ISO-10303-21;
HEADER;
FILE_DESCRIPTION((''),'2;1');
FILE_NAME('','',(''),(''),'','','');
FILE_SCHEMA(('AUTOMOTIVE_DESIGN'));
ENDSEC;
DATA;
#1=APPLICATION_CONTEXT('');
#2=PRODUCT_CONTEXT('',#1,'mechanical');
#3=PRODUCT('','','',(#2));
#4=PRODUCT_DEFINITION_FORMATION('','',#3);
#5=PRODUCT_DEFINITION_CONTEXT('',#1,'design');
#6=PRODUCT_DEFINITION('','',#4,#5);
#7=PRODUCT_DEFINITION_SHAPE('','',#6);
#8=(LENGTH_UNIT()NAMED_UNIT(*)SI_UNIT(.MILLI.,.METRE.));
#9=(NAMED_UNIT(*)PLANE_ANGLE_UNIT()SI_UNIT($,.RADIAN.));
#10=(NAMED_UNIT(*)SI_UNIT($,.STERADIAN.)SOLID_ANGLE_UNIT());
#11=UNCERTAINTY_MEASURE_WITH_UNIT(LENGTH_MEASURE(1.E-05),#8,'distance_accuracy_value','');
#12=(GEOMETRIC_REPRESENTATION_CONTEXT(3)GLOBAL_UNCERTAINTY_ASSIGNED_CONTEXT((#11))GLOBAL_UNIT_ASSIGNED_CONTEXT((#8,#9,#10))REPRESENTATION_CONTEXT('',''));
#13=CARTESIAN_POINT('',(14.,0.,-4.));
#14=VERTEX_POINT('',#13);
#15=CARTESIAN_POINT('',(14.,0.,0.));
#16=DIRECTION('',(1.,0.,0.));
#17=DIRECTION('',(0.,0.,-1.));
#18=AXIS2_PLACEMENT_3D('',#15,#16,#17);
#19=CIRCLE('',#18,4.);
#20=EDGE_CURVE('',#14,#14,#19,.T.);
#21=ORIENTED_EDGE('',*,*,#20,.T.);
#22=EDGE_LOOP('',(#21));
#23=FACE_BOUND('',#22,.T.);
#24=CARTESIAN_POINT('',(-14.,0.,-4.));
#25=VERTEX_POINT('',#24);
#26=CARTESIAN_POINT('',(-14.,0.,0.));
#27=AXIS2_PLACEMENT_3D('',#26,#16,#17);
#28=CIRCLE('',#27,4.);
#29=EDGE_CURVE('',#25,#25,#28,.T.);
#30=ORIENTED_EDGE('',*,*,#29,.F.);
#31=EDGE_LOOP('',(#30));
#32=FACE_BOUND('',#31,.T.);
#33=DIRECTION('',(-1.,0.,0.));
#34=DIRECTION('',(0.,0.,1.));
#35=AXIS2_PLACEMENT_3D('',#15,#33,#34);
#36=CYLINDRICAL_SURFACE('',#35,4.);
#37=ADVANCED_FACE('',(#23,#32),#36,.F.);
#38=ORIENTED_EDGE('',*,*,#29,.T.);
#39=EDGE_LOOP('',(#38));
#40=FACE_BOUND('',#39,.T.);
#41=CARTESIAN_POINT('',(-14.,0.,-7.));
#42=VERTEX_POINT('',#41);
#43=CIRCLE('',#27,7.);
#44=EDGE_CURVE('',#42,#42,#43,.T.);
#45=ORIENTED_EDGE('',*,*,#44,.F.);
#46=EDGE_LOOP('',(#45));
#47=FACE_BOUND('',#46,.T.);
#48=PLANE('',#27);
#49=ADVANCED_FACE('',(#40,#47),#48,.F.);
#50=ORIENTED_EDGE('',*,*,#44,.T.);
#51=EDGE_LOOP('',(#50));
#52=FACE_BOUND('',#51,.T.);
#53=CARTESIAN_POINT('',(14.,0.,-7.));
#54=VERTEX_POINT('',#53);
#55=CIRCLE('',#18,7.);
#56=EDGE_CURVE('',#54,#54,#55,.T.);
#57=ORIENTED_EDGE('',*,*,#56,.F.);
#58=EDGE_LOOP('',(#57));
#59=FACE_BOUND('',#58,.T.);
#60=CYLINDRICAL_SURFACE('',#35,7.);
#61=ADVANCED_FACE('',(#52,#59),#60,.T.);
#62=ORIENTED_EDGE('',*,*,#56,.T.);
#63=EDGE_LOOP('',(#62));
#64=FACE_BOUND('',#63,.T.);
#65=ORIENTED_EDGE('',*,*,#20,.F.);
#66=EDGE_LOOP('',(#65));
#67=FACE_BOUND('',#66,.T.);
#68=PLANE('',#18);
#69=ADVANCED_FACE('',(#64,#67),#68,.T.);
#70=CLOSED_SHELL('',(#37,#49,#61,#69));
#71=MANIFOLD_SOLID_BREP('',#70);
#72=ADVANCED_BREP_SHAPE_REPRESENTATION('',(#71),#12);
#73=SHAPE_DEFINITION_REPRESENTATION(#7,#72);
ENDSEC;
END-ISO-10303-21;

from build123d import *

# Parameters (mm, degrees)
CROQUIS1_R              = 7
CROQUIS1_R_2            = 4
SALIENTE_EXTRUIR1_DEPTH = 14


with BuildPart() as part:
    # Croquis1 → Saliente-Extruir1 (new body, symmetric)
    with BuildSketch(Plane(origin=(0, 0, 0), x_dir=(0, 0, -1), z_dir=(1, 0, 0))):
        Circle(CROQUIS1_R)
        Circle(CROQUIS1_R_2, mode=Mode.SUBTRACT)
    extrude(amount=SALIENTE_EXTRUIR1_DEPTH, both=True)


solid = part.part
